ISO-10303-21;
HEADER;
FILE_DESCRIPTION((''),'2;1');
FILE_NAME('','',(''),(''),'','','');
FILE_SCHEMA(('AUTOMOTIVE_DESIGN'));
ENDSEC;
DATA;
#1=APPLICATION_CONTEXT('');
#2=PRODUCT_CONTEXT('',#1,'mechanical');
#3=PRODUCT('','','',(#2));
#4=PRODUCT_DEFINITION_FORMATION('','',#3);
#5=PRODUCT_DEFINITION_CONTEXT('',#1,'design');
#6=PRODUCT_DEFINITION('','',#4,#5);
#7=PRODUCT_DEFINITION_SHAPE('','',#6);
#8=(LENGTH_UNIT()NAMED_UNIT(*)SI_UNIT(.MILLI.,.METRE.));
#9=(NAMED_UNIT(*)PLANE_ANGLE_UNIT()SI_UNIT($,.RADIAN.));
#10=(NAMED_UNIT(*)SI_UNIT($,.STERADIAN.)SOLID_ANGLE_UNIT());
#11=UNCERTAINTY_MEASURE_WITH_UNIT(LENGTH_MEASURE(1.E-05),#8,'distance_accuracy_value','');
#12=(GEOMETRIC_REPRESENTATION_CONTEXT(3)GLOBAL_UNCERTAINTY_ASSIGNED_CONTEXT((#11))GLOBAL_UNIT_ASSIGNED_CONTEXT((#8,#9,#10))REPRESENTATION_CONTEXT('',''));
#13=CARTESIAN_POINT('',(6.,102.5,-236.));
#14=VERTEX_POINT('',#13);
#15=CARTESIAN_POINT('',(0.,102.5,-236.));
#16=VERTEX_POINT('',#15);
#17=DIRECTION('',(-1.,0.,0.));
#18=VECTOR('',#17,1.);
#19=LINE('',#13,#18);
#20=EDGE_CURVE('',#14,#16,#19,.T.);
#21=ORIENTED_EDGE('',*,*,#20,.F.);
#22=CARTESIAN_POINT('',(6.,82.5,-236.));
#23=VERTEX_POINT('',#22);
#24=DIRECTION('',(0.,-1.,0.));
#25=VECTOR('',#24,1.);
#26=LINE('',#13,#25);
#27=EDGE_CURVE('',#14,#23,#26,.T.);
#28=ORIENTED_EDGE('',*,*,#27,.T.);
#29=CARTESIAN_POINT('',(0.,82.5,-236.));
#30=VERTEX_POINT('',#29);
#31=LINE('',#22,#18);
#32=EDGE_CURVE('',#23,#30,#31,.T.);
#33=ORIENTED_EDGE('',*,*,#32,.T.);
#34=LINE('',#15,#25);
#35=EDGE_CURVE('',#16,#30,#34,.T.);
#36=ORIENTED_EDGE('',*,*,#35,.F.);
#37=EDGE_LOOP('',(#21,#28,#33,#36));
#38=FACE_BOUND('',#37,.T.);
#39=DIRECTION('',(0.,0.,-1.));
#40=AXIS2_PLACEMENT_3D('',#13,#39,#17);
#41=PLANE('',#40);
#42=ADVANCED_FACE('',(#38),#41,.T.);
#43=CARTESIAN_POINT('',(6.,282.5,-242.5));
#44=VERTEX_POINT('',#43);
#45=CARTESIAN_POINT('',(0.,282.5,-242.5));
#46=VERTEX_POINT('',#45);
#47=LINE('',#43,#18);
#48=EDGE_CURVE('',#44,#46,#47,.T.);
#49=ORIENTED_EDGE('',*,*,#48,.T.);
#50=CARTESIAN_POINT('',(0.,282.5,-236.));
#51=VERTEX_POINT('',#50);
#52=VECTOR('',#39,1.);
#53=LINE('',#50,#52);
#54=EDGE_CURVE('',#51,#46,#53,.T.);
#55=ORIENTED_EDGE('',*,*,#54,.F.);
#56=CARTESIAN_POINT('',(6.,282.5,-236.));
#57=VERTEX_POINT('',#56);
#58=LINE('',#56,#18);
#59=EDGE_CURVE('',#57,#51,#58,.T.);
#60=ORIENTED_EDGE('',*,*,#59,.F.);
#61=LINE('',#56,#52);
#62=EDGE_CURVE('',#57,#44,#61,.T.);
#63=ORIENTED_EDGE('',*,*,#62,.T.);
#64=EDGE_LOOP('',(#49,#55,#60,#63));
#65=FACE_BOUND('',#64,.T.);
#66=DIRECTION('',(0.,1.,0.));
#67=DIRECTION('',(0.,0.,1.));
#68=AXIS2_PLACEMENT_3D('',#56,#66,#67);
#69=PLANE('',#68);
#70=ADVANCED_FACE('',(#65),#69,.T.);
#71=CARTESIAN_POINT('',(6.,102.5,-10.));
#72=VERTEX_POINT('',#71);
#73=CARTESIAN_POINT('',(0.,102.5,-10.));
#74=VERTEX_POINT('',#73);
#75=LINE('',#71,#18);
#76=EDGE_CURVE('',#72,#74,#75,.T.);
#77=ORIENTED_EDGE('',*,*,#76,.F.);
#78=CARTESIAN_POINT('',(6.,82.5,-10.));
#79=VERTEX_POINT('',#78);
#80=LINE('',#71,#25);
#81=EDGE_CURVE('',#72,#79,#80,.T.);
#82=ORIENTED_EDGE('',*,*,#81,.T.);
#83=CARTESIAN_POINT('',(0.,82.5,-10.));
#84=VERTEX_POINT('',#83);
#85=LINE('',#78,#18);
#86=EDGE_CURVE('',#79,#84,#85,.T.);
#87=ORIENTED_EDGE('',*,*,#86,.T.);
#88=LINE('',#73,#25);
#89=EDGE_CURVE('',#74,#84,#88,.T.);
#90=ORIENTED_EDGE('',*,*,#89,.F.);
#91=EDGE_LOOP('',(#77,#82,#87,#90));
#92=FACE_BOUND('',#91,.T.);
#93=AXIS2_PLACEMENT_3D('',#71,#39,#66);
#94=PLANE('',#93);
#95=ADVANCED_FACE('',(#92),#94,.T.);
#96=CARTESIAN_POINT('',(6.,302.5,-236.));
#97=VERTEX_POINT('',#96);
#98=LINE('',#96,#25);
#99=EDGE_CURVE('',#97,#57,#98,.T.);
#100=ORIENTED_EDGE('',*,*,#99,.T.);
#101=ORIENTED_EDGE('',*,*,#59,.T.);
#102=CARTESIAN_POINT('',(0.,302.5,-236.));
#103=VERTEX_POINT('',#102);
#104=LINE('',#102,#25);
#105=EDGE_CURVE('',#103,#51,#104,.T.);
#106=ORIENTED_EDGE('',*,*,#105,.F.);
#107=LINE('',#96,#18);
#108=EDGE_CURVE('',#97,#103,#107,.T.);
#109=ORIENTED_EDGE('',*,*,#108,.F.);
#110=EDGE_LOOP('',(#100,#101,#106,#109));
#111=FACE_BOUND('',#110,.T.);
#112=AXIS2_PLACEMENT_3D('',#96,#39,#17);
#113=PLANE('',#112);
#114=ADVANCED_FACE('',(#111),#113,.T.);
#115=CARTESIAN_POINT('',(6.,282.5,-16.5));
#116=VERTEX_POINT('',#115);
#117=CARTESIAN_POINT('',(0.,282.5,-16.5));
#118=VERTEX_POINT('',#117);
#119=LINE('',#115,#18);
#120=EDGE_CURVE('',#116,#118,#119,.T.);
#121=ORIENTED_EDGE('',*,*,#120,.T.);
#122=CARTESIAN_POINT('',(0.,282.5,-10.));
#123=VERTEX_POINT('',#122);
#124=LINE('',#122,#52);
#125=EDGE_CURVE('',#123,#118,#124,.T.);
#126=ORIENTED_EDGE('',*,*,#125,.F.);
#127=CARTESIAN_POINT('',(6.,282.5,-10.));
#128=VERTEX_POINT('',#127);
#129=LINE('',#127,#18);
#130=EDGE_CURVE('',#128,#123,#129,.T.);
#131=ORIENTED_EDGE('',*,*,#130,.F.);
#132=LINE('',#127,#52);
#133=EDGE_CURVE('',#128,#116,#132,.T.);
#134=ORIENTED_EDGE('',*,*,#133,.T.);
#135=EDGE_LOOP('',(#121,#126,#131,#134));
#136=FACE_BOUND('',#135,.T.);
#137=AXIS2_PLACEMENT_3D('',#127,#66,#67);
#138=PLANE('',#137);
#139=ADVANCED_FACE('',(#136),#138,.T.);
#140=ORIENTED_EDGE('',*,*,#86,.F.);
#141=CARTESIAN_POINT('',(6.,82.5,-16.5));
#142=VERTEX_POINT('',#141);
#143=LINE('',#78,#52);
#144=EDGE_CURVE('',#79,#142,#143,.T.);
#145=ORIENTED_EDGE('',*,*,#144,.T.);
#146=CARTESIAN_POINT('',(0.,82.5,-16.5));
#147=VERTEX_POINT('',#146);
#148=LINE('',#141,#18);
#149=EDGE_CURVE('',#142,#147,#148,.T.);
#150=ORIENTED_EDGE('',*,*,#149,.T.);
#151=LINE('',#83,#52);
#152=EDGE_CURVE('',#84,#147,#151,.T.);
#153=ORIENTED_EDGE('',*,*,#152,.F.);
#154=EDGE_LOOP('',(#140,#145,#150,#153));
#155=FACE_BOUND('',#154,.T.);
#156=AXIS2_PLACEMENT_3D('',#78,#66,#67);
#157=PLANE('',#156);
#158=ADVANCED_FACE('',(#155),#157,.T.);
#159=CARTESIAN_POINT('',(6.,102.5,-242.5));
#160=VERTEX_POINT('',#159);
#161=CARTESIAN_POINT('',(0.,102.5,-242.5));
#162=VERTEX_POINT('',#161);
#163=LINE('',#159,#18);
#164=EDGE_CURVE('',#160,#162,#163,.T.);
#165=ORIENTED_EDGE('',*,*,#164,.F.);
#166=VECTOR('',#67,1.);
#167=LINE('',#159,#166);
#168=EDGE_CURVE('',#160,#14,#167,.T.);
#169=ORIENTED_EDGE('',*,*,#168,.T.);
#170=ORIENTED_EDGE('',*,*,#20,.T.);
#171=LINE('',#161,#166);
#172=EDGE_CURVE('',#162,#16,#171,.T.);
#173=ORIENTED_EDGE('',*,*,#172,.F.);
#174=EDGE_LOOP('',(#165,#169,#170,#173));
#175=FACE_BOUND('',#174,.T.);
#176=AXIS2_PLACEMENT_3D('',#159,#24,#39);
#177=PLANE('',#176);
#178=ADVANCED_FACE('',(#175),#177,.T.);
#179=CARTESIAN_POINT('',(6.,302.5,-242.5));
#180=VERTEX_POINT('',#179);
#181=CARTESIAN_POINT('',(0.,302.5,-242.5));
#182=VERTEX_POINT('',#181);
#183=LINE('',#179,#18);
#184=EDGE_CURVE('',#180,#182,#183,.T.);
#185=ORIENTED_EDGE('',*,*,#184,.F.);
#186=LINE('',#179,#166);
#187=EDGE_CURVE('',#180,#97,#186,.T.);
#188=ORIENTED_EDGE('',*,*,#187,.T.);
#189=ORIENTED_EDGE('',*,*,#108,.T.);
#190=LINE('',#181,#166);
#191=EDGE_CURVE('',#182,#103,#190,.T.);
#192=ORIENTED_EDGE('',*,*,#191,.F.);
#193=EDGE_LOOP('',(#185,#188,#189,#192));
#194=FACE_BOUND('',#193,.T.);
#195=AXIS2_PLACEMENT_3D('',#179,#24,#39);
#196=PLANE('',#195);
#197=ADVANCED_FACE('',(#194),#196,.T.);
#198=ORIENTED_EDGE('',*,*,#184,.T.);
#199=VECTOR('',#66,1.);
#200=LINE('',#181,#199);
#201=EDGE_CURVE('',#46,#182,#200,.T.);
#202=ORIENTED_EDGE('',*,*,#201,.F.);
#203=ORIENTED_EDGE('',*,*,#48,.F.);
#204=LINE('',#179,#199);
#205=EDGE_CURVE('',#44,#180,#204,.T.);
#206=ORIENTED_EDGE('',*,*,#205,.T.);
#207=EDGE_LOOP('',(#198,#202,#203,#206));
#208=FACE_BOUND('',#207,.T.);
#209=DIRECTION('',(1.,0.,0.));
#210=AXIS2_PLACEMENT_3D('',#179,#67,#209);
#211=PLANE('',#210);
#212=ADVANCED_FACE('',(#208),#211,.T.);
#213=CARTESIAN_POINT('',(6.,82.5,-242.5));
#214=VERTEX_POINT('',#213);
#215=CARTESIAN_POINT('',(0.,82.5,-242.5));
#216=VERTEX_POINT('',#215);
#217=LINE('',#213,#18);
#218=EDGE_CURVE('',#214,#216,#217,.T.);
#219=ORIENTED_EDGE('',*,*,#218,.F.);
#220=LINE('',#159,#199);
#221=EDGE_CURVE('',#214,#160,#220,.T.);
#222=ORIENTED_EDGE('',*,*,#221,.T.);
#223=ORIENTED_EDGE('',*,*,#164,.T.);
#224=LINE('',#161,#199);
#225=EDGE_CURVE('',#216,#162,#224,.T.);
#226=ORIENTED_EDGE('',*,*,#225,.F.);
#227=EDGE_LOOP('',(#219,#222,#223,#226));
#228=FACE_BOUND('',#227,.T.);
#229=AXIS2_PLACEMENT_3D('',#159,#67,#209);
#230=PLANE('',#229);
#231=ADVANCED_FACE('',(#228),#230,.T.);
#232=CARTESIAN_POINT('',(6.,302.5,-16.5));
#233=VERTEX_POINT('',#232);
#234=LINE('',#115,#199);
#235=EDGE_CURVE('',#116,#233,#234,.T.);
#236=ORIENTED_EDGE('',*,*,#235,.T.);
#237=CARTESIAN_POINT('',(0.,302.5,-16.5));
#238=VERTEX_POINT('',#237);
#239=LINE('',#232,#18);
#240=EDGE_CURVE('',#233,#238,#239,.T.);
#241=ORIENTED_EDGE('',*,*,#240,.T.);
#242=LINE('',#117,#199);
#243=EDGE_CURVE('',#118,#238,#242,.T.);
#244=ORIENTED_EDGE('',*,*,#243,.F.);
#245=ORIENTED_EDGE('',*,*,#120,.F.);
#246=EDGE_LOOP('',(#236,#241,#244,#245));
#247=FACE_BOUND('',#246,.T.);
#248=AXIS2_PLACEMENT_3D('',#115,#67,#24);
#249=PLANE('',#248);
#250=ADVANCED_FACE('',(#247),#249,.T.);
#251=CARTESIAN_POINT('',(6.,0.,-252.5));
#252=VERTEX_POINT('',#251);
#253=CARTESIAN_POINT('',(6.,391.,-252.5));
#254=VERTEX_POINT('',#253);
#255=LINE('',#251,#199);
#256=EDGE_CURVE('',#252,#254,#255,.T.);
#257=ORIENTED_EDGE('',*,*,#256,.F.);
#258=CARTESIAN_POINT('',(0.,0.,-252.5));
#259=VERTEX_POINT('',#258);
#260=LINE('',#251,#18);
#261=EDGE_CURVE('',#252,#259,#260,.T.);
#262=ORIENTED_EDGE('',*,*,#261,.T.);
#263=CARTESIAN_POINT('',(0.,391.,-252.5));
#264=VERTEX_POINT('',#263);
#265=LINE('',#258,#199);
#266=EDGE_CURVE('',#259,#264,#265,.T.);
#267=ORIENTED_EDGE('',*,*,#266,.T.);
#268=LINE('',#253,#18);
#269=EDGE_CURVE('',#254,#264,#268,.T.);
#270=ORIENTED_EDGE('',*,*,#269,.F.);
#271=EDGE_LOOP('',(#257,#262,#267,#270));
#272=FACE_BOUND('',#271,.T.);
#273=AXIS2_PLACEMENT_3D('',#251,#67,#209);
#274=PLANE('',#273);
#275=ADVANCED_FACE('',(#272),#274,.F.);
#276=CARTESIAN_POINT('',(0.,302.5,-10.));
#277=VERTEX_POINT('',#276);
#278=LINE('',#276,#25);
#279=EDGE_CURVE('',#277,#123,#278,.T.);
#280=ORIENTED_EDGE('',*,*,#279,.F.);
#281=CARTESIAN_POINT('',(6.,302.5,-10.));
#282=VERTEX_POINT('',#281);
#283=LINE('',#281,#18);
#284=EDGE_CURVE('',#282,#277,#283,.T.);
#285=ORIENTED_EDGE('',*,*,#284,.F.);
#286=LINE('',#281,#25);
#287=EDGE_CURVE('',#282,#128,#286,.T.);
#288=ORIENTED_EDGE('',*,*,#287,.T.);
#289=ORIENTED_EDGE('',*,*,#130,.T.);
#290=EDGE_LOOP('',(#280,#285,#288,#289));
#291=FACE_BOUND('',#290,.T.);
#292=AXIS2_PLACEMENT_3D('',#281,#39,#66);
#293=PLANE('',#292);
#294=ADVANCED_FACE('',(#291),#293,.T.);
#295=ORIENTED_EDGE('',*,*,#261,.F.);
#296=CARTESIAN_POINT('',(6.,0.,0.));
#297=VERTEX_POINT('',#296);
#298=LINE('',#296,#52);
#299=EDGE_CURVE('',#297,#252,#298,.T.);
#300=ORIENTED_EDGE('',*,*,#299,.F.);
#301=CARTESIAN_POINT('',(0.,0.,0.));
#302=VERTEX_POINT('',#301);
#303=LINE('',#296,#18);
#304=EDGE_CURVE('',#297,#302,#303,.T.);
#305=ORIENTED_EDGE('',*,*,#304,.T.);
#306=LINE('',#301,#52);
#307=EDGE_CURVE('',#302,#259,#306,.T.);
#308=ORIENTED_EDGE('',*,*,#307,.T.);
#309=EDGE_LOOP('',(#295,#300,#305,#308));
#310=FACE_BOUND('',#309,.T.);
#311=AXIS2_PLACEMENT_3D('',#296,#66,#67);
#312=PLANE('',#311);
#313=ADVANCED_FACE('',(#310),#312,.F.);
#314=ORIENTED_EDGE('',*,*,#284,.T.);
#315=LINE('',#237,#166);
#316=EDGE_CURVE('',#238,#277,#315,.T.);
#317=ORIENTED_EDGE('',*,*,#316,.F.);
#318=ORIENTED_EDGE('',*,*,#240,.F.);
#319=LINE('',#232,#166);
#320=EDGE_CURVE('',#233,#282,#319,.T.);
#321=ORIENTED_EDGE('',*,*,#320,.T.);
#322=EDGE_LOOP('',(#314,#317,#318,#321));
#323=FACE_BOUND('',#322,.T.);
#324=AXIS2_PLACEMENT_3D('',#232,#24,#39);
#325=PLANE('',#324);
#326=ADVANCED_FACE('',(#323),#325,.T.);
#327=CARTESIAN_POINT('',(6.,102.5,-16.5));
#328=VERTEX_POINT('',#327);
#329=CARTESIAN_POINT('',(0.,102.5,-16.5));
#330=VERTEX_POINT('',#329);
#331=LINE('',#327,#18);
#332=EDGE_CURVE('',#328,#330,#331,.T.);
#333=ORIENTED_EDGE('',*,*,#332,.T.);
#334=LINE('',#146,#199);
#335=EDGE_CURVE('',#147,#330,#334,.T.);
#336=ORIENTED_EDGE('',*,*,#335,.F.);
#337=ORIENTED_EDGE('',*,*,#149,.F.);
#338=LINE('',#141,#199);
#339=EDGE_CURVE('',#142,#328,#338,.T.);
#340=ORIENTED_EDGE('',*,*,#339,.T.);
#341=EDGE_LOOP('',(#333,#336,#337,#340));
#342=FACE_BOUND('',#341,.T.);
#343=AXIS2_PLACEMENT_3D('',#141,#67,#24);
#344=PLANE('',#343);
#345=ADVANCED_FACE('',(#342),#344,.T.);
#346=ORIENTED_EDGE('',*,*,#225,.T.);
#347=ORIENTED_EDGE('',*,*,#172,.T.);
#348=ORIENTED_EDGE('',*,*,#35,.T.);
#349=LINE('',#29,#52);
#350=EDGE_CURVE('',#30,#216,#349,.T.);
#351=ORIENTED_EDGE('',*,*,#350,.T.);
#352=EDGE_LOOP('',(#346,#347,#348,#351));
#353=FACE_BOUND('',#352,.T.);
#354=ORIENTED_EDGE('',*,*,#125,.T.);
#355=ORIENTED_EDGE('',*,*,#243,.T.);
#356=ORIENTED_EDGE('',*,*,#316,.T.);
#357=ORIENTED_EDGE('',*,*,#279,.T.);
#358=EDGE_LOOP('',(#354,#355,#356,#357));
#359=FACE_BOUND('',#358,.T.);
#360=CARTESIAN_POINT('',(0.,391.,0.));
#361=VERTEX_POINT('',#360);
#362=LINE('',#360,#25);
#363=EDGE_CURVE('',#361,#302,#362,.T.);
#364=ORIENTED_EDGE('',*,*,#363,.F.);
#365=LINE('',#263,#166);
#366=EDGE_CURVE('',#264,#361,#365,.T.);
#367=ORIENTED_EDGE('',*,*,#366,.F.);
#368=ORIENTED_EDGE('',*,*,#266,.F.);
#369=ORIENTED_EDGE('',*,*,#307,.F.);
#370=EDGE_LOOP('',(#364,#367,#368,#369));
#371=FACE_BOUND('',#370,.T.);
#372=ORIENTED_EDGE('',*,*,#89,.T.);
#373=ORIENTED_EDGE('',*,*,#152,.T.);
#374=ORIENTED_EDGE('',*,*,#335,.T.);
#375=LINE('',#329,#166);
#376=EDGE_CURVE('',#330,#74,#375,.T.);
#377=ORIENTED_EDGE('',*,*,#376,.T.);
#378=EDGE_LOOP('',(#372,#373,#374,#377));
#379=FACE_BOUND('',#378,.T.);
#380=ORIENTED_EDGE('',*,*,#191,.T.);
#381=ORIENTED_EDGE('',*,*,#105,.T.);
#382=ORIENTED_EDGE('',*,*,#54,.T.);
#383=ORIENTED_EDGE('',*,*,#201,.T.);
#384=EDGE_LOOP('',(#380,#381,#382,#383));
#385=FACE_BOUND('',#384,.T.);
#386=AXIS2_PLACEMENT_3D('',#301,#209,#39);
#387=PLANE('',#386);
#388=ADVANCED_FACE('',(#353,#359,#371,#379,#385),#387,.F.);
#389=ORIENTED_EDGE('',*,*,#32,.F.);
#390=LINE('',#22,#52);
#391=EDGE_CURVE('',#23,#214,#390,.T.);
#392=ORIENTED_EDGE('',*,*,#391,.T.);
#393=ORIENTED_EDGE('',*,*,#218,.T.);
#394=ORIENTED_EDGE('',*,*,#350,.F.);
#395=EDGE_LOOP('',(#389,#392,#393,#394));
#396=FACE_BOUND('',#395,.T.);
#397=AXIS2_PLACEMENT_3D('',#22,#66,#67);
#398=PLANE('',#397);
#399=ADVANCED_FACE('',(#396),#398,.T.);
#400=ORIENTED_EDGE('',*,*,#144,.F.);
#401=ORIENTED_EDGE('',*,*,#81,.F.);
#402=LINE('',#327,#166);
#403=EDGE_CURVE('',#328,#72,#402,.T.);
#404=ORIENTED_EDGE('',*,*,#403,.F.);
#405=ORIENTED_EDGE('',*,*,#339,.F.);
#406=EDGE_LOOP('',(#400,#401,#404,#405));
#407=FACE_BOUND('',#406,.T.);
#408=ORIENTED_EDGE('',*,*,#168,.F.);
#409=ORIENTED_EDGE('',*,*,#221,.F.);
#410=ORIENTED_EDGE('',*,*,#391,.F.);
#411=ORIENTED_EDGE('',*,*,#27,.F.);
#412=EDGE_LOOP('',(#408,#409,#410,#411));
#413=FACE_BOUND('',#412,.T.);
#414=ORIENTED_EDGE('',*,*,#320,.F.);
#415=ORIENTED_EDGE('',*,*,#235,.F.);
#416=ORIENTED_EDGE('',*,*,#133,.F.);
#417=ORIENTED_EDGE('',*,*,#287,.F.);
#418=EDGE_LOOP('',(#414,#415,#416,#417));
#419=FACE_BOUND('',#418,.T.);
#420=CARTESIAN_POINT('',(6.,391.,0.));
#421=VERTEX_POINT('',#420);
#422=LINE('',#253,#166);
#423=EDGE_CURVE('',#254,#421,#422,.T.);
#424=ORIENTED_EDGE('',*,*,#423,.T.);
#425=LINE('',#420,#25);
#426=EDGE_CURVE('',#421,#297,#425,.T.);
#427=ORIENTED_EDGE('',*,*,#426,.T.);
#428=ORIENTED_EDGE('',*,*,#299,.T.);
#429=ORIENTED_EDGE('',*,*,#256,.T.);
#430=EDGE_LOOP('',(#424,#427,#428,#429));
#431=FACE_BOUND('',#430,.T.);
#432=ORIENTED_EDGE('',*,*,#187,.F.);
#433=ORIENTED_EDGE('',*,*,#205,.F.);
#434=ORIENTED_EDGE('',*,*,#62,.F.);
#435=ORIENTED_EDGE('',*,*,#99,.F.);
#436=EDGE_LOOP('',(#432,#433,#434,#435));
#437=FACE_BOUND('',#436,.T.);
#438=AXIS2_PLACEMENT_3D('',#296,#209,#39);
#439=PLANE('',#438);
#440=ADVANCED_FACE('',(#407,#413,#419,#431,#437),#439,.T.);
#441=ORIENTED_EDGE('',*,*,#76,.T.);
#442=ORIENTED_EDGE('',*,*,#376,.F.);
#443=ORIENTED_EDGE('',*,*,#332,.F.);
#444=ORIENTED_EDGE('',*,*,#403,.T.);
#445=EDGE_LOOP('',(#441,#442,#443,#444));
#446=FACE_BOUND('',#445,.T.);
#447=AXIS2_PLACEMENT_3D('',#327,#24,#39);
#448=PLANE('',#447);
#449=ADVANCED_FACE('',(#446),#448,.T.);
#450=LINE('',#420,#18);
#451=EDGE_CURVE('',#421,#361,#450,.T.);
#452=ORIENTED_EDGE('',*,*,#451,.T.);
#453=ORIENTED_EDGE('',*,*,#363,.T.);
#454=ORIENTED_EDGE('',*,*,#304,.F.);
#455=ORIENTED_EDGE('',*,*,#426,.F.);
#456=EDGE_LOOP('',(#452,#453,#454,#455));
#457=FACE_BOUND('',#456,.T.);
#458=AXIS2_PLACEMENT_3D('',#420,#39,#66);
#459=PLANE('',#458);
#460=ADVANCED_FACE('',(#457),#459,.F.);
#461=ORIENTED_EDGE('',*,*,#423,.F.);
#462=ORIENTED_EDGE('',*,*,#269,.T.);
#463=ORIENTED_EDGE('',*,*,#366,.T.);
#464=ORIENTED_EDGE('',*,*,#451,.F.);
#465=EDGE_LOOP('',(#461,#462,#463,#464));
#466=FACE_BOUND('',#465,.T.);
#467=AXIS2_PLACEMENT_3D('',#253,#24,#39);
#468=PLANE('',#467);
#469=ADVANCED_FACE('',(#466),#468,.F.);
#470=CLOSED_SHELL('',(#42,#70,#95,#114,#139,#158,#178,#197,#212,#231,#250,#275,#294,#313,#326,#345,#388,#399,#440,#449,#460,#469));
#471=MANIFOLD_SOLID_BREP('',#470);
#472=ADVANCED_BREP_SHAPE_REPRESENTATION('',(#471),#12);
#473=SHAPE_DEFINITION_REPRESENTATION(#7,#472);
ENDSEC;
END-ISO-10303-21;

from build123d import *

# Parameters (mm, degrees)
SKETCH1_W           = 252.5
SKETCH1_H           = 391
SKETCH1_W_2         = 6.5
SKETCH1_H_2         = 20
BOSS_EXTRUDE1_DEPTH = 6


with BuildPart() as part:
    # Sketch1 → Boss-Extrude1 (new body)
    with BuildSketch(Plane(origin=(0, 0, 0), x_dir=(0, 0, -1), z_dir=(1, 0, 0))):
        with Locations((126.25, 195.5)):
            Rectangle(SKETCH1_W, SKETCH1_H)
        with Locations((13.25, 292.5)):
            Rectangle(SKETCH1_W_2, SKETCH1_H_2, mode=Mode.SUBTRACT)
        with Locations((239.25, 292.5)):
            Rectangle(SKETCH1_W_2, SKETCH1_H_2, mode=Mode.SUBTRACT)
        with Locations((239.25, 92.5)):
            Rectangle(SKETCH1_W_2, SKETCH1_H_2, mode=Mode.SUBTRACT)
        with Locations((13.25, 92.5)):
            Rectangle(SKETCH1_W_2, SKETCH1_H_2, mode=Mode.SUBTRACT)
    extrude(amount=BOSS_EXTRUDE1_DEPTH)


solid = part.part
